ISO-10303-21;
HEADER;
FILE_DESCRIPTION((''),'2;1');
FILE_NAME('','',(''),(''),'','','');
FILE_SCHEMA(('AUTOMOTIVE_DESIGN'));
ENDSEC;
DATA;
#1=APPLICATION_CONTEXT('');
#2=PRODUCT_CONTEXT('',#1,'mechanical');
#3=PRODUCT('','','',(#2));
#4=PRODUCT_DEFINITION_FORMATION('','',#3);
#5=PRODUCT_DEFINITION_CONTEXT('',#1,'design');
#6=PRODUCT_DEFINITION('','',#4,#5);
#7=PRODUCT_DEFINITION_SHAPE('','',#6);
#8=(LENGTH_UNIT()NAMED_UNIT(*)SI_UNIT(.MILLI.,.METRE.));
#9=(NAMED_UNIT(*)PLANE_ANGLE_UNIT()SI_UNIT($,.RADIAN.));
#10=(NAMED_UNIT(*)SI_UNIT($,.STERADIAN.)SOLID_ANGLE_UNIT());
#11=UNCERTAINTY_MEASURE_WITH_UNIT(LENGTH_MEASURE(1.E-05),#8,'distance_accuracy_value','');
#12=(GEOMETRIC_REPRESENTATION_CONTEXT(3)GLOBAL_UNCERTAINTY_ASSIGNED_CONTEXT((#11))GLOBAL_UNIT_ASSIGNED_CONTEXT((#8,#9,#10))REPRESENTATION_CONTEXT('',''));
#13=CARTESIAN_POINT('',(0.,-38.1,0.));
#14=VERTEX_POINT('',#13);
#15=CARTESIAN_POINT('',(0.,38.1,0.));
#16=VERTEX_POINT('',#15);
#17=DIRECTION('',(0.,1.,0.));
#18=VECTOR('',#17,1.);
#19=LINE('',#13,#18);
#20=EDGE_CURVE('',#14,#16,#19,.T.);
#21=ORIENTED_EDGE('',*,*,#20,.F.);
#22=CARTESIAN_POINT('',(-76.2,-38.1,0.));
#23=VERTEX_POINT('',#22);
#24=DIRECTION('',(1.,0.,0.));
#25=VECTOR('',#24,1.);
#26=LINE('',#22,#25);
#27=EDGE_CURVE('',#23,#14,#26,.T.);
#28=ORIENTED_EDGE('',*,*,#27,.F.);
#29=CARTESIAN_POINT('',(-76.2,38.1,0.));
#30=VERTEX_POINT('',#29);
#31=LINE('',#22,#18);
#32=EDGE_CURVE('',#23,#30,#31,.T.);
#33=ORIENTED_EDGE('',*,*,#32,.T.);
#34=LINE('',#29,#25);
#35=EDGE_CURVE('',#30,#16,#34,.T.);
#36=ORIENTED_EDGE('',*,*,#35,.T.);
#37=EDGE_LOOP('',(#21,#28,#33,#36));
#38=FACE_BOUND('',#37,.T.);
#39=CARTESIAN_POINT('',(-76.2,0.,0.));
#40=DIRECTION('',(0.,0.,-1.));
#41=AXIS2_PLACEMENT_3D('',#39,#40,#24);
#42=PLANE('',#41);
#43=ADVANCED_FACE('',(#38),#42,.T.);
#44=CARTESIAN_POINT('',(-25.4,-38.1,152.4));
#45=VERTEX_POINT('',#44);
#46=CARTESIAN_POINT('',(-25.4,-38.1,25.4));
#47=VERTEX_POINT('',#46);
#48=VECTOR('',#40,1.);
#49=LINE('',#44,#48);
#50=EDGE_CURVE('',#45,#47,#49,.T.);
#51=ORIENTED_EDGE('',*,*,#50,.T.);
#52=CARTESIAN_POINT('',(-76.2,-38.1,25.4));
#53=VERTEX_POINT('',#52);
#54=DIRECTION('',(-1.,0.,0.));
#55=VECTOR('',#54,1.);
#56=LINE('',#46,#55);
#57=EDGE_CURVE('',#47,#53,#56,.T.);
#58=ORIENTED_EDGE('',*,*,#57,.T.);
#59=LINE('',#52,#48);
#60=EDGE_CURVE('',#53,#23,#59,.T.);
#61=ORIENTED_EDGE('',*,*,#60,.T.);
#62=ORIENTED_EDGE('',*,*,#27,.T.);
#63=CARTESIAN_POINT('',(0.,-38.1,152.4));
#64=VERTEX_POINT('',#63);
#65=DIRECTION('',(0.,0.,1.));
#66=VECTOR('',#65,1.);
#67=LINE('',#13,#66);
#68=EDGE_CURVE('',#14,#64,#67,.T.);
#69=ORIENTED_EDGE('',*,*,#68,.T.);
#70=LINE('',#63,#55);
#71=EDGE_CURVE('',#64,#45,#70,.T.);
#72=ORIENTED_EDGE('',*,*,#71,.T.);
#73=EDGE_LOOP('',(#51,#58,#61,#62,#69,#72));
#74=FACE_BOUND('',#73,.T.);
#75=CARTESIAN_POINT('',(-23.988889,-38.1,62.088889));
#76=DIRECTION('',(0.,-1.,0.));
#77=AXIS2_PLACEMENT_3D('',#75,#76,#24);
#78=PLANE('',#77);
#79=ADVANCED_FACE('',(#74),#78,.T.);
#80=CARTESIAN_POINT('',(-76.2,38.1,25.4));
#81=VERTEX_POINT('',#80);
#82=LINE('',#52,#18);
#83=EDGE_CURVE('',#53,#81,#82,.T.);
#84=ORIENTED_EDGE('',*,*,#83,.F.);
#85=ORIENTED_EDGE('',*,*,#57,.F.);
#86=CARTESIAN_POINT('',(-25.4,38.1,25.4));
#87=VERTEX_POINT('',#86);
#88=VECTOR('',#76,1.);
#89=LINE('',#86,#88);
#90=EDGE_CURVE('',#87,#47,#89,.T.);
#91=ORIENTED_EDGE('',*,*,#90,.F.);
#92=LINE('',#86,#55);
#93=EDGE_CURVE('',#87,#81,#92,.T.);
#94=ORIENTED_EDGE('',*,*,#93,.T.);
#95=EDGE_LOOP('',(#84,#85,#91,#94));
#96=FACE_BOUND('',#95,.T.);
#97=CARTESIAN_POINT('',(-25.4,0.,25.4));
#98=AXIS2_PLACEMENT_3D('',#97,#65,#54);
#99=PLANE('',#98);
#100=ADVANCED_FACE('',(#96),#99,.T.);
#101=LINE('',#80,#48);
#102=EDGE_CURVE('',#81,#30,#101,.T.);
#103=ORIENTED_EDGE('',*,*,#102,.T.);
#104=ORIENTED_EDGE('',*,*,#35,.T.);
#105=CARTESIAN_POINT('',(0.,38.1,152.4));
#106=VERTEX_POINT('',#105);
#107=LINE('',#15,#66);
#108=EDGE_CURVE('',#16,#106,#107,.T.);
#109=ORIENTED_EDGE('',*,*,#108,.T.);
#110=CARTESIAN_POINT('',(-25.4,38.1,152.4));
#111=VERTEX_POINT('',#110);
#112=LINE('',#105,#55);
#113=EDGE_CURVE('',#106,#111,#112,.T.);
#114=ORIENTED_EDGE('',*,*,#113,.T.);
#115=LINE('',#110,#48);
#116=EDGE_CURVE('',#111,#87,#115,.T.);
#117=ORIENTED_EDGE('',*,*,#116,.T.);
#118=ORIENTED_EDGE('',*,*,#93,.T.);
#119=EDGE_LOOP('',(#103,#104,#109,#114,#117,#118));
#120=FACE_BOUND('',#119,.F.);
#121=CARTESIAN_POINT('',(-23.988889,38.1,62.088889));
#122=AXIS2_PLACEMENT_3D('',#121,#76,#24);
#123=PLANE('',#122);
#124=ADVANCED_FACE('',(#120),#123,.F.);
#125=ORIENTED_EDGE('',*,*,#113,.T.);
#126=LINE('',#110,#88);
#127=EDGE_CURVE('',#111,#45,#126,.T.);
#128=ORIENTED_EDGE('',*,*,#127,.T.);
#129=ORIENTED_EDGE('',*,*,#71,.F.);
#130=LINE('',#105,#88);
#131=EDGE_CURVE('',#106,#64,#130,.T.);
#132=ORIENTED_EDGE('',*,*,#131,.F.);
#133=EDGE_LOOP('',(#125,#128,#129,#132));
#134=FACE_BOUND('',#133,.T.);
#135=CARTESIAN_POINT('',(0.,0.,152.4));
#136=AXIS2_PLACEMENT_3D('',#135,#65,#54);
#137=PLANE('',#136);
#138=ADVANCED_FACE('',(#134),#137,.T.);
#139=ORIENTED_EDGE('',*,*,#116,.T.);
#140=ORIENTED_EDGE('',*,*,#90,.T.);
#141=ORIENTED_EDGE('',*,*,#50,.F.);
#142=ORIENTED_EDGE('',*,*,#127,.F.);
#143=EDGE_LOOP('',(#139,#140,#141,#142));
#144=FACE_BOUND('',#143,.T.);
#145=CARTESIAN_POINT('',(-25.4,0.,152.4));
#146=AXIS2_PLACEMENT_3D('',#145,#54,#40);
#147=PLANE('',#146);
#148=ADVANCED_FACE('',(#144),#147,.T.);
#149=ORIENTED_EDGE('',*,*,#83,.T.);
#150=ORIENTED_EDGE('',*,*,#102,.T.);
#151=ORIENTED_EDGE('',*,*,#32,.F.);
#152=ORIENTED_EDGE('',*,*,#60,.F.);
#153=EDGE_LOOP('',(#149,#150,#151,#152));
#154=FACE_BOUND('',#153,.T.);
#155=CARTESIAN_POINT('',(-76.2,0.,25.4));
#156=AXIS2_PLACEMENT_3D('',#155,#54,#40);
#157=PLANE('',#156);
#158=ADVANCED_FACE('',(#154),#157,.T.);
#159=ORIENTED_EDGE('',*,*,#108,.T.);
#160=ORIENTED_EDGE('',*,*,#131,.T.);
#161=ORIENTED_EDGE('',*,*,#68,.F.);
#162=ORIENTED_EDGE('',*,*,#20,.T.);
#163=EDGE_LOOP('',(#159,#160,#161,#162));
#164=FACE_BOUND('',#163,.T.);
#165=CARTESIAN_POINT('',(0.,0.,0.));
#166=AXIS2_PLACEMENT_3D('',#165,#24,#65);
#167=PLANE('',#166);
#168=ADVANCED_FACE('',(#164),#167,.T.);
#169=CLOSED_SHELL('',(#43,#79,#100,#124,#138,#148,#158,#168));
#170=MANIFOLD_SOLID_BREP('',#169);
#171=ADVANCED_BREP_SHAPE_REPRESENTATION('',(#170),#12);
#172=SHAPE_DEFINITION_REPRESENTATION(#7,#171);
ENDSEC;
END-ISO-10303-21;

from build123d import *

# Parameters (mm, degrees)
F1_DEPTH      = 38.1
F1_DEPTH_BACK = 38.1


with BuildPart() as f1:
    # F0 (on Front) → F1 (new body, two sides)
    with BuildSketch(Plane.XZ) as f1_sk:
        Polygon((0, 0), (0, 152.4), (-25.4, 152.4), (-25.4, 25.4), (-76.2, 25.4), (-76.2, 0), align=None)
    extrude(amount=F1_DEPTH)
    extrude(f1_sk.sketch, amount=-F1_DEPTH_BACK)


solid = f1.part
